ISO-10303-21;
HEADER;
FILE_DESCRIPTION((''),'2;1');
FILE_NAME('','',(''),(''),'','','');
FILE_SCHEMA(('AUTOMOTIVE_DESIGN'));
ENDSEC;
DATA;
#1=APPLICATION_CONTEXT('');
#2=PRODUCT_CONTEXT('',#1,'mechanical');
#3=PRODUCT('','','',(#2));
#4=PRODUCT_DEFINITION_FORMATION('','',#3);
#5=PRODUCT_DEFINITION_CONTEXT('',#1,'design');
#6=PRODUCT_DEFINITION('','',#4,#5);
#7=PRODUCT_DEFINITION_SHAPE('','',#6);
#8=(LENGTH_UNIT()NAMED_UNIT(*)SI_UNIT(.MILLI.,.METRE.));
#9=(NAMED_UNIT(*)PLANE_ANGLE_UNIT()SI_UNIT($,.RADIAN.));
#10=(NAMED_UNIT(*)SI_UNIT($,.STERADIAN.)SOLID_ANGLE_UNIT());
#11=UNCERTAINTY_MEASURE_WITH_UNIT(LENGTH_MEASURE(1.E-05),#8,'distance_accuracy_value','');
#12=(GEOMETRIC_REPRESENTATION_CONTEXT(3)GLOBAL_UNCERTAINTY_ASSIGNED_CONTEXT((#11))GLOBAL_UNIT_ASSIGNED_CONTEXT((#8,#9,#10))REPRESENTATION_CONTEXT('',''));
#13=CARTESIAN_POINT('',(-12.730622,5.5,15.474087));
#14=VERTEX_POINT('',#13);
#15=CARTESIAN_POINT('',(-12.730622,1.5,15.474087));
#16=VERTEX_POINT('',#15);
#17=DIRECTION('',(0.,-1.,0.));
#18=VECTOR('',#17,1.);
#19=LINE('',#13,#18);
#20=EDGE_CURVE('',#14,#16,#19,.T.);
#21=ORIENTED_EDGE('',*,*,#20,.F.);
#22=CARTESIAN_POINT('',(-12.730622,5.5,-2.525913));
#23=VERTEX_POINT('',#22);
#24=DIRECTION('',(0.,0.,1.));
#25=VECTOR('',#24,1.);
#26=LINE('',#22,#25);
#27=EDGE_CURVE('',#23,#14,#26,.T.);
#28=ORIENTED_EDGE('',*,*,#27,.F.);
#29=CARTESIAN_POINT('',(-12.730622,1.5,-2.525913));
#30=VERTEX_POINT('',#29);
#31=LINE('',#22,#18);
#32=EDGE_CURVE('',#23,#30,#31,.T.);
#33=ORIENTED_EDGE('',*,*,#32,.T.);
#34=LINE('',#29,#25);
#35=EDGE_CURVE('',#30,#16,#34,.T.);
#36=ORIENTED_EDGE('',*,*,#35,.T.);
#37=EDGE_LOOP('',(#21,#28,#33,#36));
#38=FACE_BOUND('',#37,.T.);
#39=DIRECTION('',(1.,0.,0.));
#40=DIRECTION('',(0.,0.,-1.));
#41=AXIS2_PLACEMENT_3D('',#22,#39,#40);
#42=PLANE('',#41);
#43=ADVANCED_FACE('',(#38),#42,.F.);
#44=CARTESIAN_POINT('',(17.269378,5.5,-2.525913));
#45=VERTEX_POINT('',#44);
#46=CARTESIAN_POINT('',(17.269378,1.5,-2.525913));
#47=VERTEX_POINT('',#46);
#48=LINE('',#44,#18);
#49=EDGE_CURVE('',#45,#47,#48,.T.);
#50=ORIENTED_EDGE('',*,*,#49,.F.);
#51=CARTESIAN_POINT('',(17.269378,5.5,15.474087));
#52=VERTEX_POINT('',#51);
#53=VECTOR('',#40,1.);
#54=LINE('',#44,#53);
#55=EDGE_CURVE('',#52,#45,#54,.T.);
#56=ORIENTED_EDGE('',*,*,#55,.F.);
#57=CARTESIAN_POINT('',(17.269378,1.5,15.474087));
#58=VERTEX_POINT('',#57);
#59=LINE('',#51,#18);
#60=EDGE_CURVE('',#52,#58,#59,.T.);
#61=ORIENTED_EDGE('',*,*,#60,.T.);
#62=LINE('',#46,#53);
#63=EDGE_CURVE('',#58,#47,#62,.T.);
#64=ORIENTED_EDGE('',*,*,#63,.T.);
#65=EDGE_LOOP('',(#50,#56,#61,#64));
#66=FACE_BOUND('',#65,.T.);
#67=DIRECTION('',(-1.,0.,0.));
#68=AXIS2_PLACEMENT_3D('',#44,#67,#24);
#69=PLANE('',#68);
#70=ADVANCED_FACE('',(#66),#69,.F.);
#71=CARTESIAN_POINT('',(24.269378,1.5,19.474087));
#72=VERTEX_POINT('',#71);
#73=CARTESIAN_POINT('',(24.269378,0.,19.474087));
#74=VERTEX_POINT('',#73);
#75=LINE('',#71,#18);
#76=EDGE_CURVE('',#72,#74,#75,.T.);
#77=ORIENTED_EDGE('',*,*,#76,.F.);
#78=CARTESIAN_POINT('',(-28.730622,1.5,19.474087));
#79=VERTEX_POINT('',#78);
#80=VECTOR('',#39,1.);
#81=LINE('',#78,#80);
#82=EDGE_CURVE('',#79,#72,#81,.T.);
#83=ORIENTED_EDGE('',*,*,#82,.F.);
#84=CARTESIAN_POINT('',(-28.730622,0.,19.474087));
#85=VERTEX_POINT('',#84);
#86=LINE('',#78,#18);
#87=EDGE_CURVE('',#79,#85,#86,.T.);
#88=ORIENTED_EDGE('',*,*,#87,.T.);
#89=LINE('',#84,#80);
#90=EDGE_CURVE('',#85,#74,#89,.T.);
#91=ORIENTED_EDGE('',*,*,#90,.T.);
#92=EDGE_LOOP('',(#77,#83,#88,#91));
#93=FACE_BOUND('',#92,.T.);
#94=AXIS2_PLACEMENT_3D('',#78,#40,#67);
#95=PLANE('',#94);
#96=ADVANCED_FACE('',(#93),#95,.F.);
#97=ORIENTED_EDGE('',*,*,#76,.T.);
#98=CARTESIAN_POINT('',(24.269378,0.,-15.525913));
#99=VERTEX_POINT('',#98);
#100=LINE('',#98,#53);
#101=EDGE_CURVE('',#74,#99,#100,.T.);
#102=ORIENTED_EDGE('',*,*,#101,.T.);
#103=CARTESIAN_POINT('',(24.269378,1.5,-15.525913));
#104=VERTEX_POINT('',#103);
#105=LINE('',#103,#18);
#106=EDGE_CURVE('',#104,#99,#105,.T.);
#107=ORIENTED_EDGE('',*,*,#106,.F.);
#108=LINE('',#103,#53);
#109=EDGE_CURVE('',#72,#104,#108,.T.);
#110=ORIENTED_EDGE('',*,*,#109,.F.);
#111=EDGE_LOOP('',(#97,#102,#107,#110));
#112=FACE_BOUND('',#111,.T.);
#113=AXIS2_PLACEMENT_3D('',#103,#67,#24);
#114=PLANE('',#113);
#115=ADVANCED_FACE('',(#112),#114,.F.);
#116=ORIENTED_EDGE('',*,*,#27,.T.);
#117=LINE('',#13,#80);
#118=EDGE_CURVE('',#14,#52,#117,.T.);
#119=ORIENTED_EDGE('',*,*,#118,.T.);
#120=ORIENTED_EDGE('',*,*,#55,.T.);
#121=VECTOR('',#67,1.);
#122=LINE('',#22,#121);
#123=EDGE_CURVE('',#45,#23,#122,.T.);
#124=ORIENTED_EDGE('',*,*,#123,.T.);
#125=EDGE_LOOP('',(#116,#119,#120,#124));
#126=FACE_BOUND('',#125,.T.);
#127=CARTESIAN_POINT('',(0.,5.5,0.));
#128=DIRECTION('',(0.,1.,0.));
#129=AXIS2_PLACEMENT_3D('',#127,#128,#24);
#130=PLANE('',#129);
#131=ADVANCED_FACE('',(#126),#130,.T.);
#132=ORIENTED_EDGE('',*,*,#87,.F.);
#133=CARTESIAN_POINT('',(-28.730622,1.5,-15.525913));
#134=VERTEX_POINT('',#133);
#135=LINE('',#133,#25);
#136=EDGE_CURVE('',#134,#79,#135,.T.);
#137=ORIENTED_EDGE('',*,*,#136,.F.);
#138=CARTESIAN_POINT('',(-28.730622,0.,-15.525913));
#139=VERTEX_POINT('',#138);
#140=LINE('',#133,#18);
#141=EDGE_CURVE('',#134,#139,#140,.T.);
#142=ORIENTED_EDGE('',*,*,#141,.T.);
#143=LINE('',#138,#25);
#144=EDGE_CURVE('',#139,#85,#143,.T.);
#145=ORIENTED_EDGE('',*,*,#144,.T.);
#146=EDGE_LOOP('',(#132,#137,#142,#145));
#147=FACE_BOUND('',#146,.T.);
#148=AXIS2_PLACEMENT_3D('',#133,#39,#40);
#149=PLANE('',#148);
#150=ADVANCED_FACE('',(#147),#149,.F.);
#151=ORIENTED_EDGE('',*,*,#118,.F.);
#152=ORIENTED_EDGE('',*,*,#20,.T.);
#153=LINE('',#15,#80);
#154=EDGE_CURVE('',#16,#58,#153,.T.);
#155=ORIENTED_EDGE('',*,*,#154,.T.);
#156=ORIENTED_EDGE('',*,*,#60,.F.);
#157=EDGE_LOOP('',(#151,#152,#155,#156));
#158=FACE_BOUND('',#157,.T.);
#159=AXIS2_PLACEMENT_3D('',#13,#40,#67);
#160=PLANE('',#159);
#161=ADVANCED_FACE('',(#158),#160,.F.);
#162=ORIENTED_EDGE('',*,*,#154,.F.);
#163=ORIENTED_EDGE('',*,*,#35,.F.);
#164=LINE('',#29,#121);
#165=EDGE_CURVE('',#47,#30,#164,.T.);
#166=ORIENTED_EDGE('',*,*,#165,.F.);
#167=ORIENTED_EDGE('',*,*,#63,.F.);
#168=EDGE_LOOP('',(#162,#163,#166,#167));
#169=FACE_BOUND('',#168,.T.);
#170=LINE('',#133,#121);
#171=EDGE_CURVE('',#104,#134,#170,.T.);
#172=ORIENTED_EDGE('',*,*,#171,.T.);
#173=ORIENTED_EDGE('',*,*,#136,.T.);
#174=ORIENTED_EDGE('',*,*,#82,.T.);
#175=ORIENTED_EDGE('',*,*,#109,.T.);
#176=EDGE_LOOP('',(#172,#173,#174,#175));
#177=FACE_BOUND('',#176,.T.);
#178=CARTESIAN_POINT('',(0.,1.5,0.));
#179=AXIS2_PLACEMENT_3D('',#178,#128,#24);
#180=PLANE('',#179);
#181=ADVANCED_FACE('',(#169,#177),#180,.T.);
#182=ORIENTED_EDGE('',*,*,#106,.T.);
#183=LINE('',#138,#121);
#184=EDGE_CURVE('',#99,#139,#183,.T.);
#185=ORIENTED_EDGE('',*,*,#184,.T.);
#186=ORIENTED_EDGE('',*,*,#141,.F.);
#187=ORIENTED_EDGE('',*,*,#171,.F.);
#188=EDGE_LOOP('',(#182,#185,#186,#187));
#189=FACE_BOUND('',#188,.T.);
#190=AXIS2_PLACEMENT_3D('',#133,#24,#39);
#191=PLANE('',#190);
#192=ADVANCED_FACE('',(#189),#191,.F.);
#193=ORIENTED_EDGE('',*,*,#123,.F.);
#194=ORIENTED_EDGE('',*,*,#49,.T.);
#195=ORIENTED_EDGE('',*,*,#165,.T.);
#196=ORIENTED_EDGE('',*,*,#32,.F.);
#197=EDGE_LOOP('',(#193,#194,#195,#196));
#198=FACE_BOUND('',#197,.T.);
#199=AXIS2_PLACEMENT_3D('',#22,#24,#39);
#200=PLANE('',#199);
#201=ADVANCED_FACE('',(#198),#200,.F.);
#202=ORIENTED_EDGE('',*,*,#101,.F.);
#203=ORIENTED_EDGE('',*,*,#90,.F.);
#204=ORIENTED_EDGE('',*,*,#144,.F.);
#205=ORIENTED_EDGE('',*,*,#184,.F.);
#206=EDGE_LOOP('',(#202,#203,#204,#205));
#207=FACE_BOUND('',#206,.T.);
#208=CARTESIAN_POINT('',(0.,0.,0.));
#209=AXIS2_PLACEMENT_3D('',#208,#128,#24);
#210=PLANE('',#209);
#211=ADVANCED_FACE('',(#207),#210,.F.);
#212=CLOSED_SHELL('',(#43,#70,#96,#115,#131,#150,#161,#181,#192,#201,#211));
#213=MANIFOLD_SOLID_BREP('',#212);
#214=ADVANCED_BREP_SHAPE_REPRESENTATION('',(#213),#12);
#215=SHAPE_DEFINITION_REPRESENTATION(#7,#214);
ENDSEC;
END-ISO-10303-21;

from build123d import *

# Parameters (mm, degrees)
ESBO_O1_W                = 53
ESBO_O1_H                = 35
RESSALTO_EXTRUS_O1_DEPTH = 1.5
ESBO_O2_W                = 30
ESBO_O2_H                = 18
RESSALTO_EXTRUS_O2_DEPTH = 4


with BuildPart() as part:
    # Esboço1 → Ressalto-extrusão1 (new body)
    with BuildSketch(Plane(origin=(0, 0, 0), x_dir=(1, 0, 0), z_dir=(0, 1, 0))):
        with Locations((-2.230622383, -1.974087289)):
            Rectangle(ESBO_O1_W, ESBO_O1_H)
    extrude(amount=RESSALTO_EXTRUS_O1_DEPTH)

    # Esboço2 → Ressalto-extrusão2 (add)
    with BuildSketch(Plane(origin=(0, 1.5, 0), x_dir=(1, 0, 0), z_dir=(0, 1, 0))):
        with Locations((2.269377617, -6.474087289)):
            Rectangle(ESBO_O2_W, ESBO_O2_H)
    extrude(amount=RESSALTO_EXTRUS_O2_DEPTH)


solid = part.part
